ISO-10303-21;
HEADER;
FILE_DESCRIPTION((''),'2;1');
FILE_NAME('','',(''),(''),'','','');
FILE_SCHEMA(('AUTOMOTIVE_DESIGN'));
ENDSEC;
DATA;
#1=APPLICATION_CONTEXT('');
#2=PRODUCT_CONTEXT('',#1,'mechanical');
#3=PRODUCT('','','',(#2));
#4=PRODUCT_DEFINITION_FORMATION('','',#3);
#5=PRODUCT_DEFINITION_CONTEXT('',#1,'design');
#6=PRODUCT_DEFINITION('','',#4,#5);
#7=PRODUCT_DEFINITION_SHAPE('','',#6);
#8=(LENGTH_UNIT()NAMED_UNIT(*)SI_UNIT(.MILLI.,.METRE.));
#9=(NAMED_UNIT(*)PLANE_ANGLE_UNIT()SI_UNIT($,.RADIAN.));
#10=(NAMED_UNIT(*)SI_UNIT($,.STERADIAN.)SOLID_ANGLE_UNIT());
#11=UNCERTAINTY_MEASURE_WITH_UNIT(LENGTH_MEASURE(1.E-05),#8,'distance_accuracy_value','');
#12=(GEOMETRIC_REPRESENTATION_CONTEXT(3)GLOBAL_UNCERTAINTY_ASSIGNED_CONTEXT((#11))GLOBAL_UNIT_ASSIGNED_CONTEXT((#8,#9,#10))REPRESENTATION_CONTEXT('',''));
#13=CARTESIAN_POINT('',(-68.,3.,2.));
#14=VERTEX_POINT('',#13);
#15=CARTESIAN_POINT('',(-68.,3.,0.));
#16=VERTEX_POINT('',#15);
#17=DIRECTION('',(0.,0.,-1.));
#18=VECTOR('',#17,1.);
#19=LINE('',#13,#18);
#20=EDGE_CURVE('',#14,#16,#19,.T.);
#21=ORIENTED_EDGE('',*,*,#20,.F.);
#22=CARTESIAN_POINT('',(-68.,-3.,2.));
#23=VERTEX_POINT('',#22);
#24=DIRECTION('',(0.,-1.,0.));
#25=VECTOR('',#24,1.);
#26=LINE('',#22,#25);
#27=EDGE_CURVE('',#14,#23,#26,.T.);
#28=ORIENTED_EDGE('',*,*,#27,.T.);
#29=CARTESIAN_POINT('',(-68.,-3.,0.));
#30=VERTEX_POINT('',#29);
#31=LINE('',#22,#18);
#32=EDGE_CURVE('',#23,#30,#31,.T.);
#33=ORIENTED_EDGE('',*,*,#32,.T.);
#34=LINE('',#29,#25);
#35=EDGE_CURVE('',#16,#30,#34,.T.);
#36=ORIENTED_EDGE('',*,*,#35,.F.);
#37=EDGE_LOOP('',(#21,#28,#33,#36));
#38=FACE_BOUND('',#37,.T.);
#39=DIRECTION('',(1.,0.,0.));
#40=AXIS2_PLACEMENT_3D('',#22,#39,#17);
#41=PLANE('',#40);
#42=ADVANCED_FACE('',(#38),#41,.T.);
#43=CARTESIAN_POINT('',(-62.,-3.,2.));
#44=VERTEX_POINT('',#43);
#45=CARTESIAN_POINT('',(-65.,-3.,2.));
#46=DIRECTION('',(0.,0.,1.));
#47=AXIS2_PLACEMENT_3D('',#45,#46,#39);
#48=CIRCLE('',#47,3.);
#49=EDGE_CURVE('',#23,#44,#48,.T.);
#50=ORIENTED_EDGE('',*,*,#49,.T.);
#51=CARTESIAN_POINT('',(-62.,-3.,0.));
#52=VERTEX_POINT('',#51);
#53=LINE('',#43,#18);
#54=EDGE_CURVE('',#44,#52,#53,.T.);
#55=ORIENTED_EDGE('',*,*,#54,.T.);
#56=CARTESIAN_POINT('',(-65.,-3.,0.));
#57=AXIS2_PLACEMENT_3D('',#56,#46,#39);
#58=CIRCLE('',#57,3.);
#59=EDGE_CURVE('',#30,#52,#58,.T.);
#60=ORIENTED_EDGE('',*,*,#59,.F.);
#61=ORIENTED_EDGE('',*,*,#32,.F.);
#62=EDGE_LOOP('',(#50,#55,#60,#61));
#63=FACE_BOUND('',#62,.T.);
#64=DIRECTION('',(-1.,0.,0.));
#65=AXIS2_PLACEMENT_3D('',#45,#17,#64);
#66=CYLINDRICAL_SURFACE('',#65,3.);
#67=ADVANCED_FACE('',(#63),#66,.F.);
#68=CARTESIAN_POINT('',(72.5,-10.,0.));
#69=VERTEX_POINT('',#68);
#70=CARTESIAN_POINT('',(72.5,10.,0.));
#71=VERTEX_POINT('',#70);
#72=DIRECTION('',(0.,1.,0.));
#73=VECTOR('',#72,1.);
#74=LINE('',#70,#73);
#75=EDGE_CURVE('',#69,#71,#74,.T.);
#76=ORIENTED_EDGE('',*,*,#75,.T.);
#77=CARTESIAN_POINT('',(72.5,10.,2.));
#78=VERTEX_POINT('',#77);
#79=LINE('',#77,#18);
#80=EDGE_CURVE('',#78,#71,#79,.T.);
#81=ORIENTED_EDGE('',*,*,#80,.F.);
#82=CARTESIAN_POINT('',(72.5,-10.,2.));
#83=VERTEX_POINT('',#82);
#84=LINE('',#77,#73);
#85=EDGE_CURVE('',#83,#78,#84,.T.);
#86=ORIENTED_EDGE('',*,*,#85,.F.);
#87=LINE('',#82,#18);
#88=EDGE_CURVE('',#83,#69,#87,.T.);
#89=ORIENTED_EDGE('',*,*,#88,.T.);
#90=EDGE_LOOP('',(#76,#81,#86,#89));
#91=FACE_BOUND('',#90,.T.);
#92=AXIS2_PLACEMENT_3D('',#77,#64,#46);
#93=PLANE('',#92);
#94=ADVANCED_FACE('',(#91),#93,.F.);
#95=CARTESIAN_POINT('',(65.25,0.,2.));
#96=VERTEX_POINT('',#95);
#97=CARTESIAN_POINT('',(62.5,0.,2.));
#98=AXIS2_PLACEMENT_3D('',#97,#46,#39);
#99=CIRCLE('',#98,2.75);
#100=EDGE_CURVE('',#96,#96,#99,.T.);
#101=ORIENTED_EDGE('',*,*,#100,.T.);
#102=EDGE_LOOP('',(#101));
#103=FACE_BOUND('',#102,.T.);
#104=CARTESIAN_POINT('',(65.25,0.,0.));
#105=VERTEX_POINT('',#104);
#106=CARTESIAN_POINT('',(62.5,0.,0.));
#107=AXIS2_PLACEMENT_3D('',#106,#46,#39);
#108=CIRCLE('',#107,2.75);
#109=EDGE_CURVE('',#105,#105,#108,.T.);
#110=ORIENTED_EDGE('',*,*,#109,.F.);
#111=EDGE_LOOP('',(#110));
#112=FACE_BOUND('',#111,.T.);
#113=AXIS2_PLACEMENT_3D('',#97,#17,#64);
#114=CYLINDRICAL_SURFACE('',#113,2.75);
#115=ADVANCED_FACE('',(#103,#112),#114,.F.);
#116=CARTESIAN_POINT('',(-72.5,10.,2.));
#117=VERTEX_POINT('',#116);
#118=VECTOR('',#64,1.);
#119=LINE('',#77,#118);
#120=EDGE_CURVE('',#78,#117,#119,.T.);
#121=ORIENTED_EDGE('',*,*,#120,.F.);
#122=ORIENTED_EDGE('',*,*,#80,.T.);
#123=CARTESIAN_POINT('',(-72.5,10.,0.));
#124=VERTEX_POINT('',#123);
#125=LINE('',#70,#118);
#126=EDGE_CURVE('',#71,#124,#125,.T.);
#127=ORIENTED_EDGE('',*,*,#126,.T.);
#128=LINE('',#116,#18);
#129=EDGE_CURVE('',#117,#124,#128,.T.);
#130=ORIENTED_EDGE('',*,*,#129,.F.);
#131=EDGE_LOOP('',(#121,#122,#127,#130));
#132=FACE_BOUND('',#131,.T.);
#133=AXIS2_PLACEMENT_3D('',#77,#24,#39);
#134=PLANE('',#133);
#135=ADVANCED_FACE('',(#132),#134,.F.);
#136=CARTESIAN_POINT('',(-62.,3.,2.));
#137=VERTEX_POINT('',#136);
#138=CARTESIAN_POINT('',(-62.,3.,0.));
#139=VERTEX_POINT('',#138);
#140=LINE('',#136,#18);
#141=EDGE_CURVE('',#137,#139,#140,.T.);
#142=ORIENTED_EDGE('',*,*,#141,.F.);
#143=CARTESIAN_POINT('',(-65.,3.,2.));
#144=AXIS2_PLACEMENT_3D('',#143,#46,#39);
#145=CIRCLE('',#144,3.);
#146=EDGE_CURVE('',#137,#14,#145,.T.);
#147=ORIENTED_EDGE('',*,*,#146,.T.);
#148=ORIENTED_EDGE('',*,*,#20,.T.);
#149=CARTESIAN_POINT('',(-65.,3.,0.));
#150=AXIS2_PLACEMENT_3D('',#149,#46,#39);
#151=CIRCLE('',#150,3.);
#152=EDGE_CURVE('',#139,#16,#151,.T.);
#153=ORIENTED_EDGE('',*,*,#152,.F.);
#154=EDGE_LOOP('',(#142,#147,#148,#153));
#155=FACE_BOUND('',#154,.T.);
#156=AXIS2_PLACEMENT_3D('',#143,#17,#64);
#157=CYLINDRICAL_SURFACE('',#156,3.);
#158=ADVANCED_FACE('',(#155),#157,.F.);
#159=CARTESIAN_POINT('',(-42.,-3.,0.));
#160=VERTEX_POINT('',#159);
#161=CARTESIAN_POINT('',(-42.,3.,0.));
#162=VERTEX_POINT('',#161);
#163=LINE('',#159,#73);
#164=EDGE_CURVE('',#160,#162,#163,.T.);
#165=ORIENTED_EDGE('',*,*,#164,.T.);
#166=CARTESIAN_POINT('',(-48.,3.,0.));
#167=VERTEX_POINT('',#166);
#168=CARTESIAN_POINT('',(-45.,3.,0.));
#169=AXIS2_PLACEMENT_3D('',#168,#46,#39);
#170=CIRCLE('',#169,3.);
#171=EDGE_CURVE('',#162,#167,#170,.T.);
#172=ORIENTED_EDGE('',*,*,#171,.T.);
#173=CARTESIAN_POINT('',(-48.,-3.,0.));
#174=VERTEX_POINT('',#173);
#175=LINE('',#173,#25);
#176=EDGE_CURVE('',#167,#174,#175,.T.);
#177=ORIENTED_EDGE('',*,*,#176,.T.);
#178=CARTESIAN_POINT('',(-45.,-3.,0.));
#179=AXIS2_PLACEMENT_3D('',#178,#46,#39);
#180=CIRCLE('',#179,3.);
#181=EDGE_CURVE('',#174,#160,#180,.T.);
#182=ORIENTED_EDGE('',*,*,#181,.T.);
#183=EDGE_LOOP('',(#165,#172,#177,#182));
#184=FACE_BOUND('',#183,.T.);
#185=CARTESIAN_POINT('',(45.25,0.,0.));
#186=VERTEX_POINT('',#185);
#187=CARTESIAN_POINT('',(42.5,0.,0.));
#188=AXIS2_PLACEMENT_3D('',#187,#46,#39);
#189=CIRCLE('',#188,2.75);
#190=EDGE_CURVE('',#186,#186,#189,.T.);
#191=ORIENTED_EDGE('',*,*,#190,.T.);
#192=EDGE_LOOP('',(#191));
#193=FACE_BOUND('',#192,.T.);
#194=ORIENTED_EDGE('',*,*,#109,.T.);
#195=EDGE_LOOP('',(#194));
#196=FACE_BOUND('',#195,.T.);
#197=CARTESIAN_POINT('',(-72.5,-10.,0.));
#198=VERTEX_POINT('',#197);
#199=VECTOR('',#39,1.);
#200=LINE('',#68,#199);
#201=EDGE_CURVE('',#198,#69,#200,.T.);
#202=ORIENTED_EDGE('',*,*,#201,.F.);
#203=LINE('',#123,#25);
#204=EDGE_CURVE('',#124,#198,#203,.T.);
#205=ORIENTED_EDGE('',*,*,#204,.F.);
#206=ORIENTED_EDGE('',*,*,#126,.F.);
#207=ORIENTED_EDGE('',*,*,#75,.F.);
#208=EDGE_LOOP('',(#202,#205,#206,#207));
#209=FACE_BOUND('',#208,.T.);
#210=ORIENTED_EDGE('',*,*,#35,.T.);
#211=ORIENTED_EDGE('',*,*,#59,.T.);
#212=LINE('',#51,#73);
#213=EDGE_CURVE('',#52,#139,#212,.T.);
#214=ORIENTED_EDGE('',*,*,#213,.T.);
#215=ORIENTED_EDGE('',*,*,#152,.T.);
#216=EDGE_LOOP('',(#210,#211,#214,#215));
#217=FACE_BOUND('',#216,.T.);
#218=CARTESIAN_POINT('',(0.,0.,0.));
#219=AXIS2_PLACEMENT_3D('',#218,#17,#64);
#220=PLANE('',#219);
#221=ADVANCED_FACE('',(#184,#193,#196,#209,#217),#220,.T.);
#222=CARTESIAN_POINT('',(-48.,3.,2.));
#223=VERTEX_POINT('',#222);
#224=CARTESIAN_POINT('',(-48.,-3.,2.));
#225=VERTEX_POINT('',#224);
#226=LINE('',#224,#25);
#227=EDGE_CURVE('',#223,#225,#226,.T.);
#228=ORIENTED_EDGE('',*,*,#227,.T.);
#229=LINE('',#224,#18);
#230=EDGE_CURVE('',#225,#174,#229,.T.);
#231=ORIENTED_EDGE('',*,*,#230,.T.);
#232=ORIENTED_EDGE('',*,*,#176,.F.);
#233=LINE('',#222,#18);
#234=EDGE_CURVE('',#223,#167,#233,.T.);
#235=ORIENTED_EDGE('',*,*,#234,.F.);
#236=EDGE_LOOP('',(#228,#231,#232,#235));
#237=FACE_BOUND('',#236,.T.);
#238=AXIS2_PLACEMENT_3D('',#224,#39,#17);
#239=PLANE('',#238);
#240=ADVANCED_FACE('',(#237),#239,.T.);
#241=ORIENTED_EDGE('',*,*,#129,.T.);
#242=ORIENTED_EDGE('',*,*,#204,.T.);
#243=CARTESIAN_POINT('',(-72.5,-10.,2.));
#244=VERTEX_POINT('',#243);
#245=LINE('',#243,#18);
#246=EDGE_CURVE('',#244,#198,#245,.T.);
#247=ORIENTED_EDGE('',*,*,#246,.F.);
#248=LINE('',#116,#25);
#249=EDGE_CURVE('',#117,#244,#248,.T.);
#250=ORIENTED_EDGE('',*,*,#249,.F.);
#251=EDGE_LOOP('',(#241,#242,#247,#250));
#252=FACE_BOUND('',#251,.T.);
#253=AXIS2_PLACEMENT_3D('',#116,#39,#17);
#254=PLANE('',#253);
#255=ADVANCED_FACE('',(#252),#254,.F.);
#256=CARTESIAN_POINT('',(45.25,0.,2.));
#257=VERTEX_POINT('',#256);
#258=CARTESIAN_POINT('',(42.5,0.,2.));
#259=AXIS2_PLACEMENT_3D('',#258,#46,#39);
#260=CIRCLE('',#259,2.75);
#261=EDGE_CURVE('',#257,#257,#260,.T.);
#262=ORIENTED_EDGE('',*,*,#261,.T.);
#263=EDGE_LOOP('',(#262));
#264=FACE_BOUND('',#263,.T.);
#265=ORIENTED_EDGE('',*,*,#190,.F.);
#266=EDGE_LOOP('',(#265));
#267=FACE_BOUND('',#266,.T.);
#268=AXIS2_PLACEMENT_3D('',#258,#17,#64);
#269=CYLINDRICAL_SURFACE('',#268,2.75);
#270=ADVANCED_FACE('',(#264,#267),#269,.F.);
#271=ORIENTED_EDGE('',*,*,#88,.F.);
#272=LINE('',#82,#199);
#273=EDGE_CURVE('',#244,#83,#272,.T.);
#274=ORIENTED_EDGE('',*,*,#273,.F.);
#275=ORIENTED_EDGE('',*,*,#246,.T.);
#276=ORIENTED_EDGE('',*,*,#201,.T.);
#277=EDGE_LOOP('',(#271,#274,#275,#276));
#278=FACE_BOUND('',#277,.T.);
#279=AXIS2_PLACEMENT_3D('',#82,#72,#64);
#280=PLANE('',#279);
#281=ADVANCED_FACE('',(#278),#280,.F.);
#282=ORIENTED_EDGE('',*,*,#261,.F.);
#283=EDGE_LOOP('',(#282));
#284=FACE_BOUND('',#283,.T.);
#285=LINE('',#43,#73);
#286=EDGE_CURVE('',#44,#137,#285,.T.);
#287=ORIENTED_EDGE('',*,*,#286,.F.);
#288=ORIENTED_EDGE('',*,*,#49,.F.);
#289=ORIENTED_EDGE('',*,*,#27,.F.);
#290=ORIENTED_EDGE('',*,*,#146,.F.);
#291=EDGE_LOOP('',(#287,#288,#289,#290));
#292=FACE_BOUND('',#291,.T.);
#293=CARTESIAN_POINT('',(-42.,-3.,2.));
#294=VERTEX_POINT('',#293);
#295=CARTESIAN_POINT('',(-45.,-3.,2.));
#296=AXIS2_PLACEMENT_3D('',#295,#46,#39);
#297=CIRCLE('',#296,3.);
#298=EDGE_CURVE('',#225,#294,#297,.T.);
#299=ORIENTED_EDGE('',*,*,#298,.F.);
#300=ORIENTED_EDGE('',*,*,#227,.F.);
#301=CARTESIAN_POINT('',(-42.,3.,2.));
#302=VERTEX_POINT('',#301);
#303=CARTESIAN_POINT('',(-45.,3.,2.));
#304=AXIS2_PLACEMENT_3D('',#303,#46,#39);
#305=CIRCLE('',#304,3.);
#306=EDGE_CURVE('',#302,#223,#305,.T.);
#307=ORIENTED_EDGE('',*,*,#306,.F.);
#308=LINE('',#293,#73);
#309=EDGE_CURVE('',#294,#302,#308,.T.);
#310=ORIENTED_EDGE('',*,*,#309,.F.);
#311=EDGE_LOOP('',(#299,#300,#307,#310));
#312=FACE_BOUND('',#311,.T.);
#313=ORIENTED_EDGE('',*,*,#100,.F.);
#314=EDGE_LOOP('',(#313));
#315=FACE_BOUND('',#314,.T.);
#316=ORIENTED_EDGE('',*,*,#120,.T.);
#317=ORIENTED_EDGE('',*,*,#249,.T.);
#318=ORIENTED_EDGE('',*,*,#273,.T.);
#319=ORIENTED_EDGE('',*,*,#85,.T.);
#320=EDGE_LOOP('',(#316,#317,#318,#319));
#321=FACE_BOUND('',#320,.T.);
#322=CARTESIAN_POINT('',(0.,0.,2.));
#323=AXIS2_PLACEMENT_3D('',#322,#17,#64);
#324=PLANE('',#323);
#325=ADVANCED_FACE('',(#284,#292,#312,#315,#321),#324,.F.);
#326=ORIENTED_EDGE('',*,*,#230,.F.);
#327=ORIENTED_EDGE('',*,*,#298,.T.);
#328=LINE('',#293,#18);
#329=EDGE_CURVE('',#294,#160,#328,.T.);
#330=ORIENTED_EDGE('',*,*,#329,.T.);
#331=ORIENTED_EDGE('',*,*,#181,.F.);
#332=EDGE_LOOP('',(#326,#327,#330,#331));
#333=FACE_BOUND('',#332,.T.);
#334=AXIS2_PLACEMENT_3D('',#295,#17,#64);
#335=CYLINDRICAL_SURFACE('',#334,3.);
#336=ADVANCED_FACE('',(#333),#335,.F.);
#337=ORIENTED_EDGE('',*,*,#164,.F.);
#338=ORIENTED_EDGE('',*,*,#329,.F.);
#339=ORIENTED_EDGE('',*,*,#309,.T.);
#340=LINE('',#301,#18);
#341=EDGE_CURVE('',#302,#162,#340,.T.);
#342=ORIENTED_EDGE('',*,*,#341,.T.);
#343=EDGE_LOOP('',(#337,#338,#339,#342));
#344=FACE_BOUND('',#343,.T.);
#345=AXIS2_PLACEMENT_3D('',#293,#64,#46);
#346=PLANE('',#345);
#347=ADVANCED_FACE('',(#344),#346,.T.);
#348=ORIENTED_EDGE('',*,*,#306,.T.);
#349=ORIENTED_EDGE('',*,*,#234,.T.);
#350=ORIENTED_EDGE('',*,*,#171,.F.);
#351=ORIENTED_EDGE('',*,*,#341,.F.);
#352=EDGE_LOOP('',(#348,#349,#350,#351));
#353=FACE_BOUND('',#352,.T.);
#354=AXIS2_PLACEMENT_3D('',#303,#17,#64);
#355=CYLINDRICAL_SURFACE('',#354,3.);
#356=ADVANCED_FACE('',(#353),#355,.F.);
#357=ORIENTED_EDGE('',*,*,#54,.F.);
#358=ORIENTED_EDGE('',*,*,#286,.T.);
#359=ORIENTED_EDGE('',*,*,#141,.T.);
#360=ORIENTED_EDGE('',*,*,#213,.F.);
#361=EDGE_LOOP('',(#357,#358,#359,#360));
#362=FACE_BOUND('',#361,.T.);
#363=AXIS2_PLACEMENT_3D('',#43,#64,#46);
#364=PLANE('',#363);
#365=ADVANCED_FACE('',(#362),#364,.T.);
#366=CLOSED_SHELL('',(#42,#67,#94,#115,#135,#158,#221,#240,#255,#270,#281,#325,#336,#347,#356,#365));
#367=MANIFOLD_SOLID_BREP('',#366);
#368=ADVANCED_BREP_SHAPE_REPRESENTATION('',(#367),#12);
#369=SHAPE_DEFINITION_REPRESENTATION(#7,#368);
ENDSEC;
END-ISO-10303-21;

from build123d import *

# Parameters (mm, degrees)
SKETCH1_W           = 145
SKETCH1_H           = 20
SKETCH1_R           = 2.75
BOSS_EXTRUDE1_DEPTH = 2


with BuildPart() as part:
    # Sketch1 → Boss-Extrude1 (new body)
    with BuildSketch(Plane.XY):
        Rectangle(SKETCH1_W, SKETCH1_H)
        with Locations((62.5, 0)):
            Circle(SKETCH1_R, mode=Mode.SUBTRACT)
        with Locations((42.5, 0)):
            Circle(SKETCH1_R, mode=Mode.SUBTRACT)
        with BuildLine():
            Line((-68, -3), (-68, 3))
            ThreePointArc((-68, 3), (-65, 6), (-62, 3))
            Line((-62, 3), (-62, -3))
            ThreePointArc((-62, -3), (-65, -6), (-68, -3))
        make_face(mode=Mode.SUBTRACT)
        with BuildLine():
            Line((-48, -3), (-48, 3))
            ThreePointArc((-48, 3), (-45, 6), (-42, 3))
            Line((-42, 3), (-42, -3))
            ThreePointArc((-42, -3), (-45, -6), (-48, -3))
        make_face(mode=Mode.SUBTRACT)
    extrude(amount=BOSS_EXTRUDE1_DEPTH)


solid = part.part
